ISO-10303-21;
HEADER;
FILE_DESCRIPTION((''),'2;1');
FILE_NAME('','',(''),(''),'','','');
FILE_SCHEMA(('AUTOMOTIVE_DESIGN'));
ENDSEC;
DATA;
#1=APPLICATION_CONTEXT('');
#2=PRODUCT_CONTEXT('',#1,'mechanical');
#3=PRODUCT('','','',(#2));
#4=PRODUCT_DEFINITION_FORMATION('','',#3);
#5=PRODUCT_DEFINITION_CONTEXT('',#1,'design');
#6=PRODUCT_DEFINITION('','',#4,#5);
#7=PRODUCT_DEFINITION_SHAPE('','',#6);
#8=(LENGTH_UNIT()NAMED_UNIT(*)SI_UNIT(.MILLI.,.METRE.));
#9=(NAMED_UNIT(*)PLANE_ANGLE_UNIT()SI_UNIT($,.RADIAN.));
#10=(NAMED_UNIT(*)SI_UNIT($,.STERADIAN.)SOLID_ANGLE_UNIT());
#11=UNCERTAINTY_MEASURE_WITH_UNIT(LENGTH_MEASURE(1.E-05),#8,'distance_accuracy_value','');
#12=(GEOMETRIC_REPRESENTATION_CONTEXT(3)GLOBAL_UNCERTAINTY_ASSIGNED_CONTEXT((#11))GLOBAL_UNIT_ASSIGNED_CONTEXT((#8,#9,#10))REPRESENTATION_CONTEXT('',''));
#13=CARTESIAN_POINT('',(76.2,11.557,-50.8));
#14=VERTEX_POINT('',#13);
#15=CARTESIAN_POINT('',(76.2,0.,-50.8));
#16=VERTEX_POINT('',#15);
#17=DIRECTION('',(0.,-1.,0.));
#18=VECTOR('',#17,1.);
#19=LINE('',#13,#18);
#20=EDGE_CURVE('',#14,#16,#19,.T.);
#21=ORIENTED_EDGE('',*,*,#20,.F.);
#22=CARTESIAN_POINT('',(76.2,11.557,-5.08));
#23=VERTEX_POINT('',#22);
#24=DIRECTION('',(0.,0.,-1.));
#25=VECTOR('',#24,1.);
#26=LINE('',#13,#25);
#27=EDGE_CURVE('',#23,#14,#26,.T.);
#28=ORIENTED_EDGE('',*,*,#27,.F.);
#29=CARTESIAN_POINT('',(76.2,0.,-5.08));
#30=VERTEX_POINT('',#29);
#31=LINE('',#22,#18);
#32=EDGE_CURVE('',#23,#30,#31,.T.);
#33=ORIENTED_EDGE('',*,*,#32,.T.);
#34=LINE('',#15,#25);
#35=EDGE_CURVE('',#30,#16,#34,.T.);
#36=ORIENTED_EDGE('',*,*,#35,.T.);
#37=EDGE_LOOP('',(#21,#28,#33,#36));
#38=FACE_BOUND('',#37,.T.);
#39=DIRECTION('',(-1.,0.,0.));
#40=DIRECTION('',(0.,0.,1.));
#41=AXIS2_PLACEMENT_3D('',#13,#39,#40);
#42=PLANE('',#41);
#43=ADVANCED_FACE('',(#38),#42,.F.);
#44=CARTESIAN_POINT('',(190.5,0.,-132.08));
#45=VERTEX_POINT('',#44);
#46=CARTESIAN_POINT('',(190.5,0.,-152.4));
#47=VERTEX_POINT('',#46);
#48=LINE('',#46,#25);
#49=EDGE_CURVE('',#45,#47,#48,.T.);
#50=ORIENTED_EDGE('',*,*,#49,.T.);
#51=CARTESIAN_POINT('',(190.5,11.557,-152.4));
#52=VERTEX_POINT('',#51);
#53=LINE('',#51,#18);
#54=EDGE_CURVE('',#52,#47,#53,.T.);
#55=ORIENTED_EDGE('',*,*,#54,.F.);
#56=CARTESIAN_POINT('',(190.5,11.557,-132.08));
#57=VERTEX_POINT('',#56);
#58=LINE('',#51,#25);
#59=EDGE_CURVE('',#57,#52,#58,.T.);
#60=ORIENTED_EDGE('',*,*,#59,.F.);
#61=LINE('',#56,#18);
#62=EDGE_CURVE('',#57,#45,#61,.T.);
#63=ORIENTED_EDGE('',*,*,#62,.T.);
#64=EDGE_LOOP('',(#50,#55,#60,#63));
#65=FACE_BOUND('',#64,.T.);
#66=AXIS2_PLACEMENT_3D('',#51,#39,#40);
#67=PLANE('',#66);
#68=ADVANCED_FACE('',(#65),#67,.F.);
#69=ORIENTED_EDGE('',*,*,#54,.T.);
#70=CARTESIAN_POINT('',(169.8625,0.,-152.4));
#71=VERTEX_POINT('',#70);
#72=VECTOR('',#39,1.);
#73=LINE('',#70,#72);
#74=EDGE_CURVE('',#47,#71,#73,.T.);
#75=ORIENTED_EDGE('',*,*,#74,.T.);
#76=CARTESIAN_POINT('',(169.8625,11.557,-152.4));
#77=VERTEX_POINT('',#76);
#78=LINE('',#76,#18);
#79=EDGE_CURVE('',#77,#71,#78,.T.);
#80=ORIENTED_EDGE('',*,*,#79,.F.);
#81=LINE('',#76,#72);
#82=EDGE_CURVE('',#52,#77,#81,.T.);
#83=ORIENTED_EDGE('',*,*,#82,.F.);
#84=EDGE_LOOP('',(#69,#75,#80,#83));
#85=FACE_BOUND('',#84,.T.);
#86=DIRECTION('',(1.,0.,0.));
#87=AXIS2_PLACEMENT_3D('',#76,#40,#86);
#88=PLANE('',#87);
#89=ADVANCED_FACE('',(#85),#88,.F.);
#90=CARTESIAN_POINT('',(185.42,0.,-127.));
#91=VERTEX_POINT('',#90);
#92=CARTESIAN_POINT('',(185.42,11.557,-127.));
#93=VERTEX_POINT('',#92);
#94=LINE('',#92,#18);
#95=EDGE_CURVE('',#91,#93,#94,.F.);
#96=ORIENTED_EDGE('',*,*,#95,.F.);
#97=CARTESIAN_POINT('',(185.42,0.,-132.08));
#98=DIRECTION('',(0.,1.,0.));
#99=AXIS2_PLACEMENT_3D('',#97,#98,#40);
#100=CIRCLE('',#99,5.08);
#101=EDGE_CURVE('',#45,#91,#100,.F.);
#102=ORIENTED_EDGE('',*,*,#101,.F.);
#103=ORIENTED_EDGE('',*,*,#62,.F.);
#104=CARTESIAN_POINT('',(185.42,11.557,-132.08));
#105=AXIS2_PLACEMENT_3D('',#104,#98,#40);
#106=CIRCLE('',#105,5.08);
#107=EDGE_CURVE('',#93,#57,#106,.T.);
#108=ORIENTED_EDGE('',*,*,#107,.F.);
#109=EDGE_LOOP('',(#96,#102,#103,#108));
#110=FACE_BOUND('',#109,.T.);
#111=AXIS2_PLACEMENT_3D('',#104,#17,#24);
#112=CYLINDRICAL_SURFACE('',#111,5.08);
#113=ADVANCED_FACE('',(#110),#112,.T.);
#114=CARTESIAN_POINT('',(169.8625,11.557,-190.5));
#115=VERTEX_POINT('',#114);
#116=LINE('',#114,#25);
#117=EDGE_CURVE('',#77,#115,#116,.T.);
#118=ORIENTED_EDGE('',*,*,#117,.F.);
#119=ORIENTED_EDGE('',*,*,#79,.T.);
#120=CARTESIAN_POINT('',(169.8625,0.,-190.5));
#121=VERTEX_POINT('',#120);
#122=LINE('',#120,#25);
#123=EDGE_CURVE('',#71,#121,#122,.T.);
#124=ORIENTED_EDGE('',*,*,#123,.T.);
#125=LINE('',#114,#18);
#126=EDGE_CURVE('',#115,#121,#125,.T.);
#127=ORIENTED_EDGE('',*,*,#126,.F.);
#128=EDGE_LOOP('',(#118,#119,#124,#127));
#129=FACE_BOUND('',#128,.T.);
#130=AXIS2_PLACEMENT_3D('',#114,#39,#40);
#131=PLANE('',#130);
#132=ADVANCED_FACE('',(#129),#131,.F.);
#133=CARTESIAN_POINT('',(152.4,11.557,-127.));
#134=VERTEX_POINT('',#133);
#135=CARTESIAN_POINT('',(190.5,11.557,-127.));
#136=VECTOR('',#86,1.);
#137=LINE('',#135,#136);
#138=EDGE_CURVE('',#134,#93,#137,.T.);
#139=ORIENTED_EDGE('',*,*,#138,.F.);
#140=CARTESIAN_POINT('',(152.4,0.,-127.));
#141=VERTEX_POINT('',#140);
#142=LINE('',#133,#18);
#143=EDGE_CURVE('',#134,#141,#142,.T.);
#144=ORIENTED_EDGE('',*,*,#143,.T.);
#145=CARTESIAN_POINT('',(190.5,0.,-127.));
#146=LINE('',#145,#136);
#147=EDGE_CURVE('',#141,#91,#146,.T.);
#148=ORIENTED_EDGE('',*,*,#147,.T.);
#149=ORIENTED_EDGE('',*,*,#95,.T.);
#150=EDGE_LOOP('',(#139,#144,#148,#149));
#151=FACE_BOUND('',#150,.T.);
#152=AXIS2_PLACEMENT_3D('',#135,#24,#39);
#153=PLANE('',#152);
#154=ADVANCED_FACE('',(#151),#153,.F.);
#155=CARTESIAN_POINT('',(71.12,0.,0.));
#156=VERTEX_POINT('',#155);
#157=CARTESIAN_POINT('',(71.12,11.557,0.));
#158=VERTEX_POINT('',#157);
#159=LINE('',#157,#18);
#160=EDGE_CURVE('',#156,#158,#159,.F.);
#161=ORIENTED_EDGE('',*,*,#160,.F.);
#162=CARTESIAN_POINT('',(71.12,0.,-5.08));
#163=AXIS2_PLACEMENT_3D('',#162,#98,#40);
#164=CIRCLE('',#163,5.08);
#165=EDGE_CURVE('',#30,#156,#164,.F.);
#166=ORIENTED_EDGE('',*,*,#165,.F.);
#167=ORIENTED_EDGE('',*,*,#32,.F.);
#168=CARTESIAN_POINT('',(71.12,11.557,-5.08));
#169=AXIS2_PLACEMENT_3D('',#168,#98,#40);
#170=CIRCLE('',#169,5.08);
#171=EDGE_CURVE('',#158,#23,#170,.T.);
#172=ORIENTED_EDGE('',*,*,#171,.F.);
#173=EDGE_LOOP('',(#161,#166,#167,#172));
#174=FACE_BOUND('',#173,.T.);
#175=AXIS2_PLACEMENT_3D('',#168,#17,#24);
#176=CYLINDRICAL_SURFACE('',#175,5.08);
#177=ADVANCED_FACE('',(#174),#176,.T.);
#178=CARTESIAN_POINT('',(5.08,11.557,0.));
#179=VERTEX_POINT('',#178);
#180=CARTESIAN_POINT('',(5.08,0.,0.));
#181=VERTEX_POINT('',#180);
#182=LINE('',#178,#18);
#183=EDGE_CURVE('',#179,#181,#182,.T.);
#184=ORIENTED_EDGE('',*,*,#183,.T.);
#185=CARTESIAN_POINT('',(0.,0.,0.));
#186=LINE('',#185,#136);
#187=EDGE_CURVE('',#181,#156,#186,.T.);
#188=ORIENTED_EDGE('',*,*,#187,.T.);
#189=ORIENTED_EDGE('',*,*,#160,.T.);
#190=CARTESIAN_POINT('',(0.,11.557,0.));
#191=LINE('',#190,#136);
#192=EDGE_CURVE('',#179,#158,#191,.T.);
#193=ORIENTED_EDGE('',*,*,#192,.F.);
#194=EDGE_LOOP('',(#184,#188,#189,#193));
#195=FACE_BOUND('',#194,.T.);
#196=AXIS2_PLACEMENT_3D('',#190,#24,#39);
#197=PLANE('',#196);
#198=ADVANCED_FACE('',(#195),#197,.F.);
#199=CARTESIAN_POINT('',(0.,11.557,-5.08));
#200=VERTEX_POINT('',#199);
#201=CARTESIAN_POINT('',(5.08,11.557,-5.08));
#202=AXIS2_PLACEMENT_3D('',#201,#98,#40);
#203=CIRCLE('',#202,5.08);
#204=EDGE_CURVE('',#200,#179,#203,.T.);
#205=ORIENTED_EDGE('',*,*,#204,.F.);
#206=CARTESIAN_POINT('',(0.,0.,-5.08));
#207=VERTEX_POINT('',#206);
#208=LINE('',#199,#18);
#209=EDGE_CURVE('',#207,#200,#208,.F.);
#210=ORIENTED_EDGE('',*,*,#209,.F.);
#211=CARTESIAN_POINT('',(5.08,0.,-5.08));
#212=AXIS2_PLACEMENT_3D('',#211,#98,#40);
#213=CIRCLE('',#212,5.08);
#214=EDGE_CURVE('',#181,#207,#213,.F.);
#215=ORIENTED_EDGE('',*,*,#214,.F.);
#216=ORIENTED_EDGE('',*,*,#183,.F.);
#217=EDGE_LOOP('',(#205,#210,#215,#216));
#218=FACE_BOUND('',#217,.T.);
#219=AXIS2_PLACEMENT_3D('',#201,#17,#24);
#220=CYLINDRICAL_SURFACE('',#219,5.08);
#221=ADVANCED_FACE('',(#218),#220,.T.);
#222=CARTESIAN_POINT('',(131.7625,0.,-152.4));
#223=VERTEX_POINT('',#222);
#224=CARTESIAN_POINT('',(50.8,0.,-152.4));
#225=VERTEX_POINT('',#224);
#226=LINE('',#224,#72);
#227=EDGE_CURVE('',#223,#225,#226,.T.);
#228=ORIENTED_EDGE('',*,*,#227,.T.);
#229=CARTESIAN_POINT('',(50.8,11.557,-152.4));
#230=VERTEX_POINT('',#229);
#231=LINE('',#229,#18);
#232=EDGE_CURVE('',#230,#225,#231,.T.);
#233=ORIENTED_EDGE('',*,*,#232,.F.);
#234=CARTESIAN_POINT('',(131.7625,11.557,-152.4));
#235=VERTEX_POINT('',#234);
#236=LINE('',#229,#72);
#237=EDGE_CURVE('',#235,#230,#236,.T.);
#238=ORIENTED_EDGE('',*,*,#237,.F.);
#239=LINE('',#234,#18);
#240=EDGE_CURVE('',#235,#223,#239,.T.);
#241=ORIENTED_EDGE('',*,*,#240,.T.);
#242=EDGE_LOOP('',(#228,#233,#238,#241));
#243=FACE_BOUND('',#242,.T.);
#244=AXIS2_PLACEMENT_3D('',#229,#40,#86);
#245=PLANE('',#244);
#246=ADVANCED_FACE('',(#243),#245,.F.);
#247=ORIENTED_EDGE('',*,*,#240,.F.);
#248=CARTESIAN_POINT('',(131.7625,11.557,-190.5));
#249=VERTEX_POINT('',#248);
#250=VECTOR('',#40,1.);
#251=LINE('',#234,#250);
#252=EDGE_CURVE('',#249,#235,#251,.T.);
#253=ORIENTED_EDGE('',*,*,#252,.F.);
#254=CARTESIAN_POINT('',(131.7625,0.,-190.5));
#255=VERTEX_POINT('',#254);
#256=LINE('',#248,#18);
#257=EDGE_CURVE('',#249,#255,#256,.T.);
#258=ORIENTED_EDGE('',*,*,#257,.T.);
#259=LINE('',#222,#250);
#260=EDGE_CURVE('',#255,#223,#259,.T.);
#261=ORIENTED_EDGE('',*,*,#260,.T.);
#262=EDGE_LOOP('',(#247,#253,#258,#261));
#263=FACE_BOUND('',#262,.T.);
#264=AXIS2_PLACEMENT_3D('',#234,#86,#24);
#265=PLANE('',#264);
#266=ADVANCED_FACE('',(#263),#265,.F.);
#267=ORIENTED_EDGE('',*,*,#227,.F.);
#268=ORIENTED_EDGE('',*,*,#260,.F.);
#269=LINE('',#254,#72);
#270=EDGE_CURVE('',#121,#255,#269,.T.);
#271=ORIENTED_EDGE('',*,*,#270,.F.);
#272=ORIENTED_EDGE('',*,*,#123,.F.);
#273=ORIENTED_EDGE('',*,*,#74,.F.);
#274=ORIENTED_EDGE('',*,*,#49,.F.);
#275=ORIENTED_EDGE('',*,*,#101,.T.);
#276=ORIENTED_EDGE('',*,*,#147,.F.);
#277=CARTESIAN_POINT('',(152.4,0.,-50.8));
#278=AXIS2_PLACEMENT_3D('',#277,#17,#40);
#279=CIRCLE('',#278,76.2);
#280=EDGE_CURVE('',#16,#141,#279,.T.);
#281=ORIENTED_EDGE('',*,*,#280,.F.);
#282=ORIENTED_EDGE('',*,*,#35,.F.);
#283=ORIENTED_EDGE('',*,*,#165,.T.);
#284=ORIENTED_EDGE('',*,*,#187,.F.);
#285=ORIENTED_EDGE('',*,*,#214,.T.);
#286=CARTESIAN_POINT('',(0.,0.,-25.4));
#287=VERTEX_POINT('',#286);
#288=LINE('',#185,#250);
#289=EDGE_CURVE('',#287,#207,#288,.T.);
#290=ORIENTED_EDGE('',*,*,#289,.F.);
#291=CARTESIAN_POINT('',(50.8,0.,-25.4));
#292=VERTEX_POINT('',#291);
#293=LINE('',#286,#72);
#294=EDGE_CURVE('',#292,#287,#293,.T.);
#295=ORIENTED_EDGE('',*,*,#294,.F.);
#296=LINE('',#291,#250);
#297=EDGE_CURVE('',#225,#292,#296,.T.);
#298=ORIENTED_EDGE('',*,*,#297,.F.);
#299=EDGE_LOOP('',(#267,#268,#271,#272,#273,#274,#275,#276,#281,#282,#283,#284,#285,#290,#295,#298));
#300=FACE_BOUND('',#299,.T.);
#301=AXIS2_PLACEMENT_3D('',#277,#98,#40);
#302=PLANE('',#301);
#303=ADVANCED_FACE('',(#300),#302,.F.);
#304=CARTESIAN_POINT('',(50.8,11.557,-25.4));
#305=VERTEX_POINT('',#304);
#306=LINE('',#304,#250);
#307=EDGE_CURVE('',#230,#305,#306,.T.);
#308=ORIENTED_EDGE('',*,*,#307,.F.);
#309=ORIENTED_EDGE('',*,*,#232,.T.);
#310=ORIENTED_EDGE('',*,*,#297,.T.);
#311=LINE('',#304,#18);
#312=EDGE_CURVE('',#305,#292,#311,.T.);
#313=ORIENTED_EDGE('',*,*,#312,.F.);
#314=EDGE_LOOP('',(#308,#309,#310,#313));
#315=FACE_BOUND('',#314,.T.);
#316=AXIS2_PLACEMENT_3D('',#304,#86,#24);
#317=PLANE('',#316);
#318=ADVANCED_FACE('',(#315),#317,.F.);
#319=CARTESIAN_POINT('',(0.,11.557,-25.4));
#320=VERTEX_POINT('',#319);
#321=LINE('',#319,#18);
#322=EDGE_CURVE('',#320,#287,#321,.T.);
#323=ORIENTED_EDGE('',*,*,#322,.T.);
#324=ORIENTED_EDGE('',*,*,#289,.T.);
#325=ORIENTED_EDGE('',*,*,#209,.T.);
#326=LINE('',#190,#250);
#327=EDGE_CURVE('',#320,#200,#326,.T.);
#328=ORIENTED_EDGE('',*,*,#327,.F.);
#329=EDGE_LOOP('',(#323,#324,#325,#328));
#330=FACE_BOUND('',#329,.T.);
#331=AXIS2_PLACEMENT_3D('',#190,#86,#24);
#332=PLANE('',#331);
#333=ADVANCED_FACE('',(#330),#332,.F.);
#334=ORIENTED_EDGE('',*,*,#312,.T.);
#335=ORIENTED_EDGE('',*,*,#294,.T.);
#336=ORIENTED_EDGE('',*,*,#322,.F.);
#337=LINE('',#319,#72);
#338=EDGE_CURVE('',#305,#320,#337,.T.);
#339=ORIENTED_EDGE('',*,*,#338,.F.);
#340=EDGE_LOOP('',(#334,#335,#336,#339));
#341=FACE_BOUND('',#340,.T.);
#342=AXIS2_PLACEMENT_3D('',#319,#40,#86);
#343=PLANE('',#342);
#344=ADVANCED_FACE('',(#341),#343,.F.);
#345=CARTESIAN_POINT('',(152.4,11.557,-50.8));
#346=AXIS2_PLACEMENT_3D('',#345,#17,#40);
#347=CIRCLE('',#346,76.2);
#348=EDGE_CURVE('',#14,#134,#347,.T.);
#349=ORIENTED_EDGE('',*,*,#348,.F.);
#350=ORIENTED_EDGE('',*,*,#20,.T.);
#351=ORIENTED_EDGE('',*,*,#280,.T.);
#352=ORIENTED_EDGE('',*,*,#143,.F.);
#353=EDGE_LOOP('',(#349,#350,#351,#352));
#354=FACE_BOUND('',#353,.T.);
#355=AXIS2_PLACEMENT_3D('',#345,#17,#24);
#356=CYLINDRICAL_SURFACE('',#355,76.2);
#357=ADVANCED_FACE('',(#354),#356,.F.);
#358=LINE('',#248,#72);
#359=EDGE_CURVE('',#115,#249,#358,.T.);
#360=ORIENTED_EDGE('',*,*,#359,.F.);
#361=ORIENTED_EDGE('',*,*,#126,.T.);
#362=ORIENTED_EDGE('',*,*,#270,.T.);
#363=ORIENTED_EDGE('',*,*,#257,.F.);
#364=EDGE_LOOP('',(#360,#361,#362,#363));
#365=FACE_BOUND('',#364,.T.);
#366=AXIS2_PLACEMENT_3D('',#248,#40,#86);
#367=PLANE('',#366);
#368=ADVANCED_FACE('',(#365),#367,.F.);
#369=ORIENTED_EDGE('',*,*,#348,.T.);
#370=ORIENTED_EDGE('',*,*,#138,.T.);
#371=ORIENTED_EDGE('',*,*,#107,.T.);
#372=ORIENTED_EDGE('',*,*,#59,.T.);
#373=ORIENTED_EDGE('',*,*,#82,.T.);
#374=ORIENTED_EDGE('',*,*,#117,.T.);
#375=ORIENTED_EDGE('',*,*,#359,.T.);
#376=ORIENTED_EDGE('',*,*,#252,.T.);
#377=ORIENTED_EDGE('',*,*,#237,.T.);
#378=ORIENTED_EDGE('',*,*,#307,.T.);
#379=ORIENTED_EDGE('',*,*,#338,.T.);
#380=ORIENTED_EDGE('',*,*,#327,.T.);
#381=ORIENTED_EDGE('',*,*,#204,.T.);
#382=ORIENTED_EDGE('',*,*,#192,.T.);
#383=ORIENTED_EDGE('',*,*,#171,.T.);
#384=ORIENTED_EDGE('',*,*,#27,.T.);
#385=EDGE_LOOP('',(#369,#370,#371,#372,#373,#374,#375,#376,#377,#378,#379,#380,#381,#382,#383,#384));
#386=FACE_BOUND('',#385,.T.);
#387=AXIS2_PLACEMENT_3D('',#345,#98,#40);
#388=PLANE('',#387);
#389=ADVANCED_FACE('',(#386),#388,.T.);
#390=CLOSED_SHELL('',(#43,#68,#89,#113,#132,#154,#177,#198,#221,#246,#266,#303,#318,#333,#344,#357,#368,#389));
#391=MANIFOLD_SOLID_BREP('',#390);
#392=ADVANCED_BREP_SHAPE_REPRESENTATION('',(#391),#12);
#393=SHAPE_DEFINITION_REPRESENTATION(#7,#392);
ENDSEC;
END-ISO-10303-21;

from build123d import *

# Parameters (mm, degrees)
BOSS_EXTRUDE1_DEPTH = 11.557
FILLET1_R           = 5.08


with BuildPart() as part:
    # Sketch1 → Boss-Extrude1 (new body)
    with BuildSketch(Plane(origin=(0, 0, 0), x_dir=(1, 0, 0), z_dir=(0, 1, 0))):
        with BuildLine():
            Line((50.8, 25.4), (50.8, 152.4))
            Line((50.8, 152.4), (131.7625, 152.4))
            Line((131.7625, 152.4), (131.7625, 190.5))
            Line((131.7625, 190.5), (169.8625, 190.5))
            Line((169.8625, 190.5), (169.8625, 152.4))
            Line((169.8625, 152.4), (190.5, 152.4))
            Line((190.5, 152.4), (190.5, 127))
            Line((190.5, 127), (152.4, 127))
            ThreePointArc((152.4, 127), (98.518463274, 104.681536726), (76.2, 50.8))
            Line((76.2, 50.8), (76.2, 0))
            Line((76.2, 0), (0, 0))
            Line((0, 0), (0, 25.4))
            Line((0, 25.4), (50.8, 25.4))
        make_face()
    extrude(amount=BOSS_EXTRUDE1_DEPTH)

    # Fillet1
    fillet1_edges = [part.edges().sort_by_distance(p)[0] for p in [
        (190.5, 5.7785, -127),
        (76.2, 5.7785, 0),
        (0, 5.7785, 0),
    ]]
    fillet(fillet1_edges, radius=FILLET1_R)


solid = part.part
